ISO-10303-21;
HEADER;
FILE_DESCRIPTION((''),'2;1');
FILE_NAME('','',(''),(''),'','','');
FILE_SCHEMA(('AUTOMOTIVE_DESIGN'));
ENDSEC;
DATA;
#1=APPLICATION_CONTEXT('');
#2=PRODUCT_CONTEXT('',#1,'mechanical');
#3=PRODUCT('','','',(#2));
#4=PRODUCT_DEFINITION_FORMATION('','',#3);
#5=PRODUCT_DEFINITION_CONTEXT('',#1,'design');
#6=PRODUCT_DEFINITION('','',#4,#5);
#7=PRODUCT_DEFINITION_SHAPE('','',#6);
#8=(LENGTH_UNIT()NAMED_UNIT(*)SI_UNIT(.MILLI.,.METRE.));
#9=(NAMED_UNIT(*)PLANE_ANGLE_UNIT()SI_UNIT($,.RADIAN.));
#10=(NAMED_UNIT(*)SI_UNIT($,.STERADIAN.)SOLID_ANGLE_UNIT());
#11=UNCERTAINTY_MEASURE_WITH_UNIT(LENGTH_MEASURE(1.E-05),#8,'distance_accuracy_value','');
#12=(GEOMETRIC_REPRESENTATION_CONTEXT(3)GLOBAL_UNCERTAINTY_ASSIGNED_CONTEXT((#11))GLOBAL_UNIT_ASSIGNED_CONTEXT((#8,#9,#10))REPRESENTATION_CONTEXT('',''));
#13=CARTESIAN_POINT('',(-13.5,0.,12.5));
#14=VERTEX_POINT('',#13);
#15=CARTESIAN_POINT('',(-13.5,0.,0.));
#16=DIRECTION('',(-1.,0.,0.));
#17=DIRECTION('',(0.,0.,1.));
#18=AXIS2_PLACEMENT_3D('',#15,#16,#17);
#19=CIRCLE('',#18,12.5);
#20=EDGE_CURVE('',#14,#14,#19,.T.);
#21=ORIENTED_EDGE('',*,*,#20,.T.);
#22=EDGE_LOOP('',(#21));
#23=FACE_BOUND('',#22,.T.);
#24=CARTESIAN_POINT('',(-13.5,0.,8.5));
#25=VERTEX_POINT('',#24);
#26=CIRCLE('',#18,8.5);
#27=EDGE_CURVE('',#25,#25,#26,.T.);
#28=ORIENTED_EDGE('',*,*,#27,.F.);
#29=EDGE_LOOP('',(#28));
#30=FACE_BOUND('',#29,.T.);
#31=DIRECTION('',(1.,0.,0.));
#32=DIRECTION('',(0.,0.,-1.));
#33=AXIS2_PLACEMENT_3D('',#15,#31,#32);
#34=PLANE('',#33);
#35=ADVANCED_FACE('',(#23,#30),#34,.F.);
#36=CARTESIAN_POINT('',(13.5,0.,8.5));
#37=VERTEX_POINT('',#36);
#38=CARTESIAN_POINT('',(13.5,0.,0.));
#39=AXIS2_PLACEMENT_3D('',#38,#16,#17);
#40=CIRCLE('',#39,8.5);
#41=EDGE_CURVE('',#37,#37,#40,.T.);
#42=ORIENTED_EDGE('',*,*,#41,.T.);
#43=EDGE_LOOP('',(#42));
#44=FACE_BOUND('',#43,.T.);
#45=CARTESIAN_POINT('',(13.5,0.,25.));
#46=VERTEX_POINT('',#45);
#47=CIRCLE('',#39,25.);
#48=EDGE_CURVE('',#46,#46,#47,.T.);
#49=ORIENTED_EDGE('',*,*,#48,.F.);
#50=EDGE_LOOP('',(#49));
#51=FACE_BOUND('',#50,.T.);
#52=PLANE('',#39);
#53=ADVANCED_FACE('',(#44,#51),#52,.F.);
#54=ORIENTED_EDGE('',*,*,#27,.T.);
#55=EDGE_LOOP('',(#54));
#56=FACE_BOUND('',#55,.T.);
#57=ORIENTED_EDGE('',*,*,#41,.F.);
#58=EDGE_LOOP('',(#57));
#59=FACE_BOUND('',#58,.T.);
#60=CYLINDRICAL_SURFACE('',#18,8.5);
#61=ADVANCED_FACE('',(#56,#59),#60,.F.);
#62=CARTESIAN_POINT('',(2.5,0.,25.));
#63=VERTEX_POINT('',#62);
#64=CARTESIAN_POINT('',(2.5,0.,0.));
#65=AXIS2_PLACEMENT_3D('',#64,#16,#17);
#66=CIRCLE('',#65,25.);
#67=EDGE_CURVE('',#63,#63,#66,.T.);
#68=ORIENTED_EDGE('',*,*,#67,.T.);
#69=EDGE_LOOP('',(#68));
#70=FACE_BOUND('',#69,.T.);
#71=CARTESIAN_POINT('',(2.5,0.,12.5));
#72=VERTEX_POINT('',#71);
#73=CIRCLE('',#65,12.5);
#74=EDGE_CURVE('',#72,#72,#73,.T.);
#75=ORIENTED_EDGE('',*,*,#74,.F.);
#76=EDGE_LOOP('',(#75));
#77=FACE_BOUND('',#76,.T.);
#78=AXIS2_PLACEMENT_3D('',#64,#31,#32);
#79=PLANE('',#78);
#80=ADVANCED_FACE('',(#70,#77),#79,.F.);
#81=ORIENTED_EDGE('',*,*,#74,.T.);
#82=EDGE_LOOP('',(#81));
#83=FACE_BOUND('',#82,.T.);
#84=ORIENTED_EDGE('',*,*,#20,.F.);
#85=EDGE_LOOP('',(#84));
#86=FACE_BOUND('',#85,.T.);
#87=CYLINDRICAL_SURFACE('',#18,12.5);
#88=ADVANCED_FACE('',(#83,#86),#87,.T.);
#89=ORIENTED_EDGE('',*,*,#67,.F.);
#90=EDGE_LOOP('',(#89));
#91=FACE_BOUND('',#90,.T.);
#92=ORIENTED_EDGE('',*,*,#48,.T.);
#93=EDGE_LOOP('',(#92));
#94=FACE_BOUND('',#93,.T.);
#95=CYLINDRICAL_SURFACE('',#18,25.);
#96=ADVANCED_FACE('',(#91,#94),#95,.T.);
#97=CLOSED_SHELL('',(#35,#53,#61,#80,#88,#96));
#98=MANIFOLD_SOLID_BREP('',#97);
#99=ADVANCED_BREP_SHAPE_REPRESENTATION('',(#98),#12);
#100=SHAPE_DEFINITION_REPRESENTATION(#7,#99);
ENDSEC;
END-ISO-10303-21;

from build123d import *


with BuildPart() as part:
    # Sketch3 → Revolve1 (revolve)
    with BuildSketch(Plane.XY):
        Polygon((-13.5, 8.5), (13.5, 8.5), (13.5, 25), (2.5, 25), (2.5, 12.5), (-13.5, 12.5), align=None)
    revolve(axis=Axis((-13.5, 0, 0), (1, 0, 0)))


solid = part.part
